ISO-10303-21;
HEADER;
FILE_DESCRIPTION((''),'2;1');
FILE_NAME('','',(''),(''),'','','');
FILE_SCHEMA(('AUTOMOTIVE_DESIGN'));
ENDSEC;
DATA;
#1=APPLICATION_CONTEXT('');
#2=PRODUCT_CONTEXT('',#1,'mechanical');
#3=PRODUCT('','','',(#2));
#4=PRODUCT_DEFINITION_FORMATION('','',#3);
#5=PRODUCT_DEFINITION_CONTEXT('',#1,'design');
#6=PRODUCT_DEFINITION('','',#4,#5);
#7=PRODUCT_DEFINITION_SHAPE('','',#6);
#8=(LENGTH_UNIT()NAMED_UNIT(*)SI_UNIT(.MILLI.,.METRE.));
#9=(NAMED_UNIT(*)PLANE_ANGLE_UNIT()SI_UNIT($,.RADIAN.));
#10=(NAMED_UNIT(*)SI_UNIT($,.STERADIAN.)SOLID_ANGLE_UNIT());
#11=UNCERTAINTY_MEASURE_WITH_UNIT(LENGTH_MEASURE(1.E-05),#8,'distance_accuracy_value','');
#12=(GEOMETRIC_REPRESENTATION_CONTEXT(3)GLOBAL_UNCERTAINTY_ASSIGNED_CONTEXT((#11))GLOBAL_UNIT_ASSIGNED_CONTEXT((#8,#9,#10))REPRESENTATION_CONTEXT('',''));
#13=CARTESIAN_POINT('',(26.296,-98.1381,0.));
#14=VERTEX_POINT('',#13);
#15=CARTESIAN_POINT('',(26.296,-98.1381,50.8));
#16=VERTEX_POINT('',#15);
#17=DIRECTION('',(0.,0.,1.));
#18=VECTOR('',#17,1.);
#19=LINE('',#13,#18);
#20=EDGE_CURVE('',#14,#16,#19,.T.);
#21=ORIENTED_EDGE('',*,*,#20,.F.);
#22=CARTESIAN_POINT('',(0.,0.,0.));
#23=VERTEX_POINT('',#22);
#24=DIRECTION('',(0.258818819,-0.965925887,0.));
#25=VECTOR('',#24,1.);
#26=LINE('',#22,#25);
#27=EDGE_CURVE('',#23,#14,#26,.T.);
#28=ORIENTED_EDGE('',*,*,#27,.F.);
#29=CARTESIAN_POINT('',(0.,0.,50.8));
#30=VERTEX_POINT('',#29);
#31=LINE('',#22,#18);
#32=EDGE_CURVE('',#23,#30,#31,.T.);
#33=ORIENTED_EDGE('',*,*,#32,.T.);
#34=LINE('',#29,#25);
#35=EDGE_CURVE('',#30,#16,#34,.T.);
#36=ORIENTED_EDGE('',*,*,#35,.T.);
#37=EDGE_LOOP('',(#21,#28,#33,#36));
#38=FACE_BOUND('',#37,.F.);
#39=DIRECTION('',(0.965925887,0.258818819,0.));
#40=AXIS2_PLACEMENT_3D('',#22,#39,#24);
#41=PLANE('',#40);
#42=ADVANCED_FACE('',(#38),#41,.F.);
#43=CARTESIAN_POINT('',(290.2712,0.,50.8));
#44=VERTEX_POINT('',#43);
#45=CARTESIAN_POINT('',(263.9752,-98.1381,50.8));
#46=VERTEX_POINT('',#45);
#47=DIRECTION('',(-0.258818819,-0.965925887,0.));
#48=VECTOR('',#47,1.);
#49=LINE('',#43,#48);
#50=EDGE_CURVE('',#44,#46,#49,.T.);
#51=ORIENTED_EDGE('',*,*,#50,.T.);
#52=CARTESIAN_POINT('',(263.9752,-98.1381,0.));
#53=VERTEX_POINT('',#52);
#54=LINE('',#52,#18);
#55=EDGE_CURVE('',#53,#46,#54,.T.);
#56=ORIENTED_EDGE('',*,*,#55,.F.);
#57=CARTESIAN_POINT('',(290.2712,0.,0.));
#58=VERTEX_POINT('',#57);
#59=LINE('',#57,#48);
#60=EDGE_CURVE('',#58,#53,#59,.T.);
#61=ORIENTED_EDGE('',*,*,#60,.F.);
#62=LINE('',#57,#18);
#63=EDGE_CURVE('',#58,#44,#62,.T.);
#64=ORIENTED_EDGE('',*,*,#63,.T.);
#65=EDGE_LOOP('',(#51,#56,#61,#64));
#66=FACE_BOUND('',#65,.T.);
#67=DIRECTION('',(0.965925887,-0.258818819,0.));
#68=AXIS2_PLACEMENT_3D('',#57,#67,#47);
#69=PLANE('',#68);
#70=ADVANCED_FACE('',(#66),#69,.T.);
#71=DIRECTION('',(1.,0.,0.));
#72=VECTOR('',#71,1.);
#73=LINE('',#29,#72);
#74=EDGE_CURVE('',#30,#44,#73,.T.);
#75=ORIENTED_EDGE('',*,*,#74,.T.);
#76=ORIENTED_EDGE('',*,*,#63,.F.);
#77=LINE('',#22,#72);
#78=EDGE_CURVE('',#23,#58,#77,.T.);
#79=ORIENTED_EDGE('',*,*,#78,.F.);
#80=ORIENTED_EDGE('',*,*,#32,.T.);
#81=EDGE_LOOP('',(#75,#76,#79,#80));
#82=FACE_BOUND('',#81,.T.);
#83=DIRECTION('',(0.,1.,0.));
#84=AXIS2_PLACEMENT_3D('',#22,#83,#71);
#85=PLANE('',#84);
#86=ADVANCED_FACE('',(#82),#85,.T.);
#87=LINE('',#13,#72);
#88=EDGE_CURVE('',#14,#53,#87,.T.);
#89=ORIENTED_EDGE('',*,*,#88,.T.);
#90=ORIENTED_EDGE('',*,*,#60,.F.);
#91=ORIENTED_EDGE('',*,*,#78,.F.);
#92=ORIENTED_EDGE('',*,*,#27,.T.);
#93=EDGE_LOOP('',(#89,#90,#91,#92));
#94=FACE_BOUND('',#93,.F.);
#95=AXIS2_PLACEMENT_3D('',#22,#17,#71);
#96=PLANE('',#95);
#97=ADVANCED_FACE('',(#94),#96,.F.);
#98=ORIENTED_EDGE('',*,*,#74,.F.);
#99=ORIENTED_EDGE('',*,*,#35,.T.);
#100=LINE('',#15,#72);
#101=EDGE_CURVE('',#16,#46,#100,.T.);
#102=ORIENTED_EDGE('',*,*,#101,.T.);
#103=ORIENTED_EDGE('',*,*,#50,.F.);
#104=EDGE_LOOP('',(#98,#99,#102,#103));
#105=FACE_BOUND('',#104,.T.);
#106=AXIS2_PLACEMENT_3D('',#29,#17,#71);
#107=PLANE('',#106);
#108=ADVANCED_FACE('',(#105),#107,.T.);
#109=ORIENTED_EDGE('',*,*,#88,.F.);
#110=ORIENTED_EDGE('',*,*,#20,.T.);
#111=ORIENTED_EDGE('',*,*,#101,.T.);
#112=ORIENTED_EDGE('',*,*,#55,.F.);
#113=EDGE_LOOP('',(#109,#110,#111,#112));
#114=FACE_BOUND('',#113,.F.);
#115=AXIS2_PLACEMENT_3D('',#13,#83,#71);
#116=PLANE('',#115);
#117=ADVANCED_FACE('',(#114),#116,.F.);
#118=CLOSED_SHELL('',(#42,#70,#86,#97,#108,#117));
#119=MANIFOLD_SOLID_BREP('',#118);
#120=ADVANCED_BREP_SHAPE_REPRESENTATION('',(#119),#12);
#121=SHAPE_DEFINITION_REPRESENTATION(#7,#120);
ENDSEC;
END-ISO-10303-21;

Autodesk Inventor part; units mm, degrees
ref_plane "YZ Plane" through (0, 0, 0) normal (1, 0, 0) x (0, 1, 0)
ref_plane "XZ Plane" through (0, 0, 0) normal (0, 1, 0) x (-1, 0, 0)
ref_plane "XY Plane" through (0, 0, 0) normal (0, 0, 1) x (1, 0, 0)
sketch "Sketch1" plane through (0, 0, 0) normal (0, 0, 1) x (1, 0, 0)
  line L0 (0, 0) -> (290.2712, 0)
  line L1 (290.2712, 0) -> (263.9752, -98.1381)
  line L2 (0, 0) -> (26.296, -98.1381)
  line L3 (26.296, -98.1381) -> (263.9752, -98.1381)
  dimension "d0" = 290.2712
  dimension "d1" = 101.6
  dimension "d2" = 75
  dimension "d3" = 101.6
  dimension "d4" = 75
extrude "Extrusion1" add sketch "Sketch1" along normal blind 50.8
properties part number "Corner Stone"
